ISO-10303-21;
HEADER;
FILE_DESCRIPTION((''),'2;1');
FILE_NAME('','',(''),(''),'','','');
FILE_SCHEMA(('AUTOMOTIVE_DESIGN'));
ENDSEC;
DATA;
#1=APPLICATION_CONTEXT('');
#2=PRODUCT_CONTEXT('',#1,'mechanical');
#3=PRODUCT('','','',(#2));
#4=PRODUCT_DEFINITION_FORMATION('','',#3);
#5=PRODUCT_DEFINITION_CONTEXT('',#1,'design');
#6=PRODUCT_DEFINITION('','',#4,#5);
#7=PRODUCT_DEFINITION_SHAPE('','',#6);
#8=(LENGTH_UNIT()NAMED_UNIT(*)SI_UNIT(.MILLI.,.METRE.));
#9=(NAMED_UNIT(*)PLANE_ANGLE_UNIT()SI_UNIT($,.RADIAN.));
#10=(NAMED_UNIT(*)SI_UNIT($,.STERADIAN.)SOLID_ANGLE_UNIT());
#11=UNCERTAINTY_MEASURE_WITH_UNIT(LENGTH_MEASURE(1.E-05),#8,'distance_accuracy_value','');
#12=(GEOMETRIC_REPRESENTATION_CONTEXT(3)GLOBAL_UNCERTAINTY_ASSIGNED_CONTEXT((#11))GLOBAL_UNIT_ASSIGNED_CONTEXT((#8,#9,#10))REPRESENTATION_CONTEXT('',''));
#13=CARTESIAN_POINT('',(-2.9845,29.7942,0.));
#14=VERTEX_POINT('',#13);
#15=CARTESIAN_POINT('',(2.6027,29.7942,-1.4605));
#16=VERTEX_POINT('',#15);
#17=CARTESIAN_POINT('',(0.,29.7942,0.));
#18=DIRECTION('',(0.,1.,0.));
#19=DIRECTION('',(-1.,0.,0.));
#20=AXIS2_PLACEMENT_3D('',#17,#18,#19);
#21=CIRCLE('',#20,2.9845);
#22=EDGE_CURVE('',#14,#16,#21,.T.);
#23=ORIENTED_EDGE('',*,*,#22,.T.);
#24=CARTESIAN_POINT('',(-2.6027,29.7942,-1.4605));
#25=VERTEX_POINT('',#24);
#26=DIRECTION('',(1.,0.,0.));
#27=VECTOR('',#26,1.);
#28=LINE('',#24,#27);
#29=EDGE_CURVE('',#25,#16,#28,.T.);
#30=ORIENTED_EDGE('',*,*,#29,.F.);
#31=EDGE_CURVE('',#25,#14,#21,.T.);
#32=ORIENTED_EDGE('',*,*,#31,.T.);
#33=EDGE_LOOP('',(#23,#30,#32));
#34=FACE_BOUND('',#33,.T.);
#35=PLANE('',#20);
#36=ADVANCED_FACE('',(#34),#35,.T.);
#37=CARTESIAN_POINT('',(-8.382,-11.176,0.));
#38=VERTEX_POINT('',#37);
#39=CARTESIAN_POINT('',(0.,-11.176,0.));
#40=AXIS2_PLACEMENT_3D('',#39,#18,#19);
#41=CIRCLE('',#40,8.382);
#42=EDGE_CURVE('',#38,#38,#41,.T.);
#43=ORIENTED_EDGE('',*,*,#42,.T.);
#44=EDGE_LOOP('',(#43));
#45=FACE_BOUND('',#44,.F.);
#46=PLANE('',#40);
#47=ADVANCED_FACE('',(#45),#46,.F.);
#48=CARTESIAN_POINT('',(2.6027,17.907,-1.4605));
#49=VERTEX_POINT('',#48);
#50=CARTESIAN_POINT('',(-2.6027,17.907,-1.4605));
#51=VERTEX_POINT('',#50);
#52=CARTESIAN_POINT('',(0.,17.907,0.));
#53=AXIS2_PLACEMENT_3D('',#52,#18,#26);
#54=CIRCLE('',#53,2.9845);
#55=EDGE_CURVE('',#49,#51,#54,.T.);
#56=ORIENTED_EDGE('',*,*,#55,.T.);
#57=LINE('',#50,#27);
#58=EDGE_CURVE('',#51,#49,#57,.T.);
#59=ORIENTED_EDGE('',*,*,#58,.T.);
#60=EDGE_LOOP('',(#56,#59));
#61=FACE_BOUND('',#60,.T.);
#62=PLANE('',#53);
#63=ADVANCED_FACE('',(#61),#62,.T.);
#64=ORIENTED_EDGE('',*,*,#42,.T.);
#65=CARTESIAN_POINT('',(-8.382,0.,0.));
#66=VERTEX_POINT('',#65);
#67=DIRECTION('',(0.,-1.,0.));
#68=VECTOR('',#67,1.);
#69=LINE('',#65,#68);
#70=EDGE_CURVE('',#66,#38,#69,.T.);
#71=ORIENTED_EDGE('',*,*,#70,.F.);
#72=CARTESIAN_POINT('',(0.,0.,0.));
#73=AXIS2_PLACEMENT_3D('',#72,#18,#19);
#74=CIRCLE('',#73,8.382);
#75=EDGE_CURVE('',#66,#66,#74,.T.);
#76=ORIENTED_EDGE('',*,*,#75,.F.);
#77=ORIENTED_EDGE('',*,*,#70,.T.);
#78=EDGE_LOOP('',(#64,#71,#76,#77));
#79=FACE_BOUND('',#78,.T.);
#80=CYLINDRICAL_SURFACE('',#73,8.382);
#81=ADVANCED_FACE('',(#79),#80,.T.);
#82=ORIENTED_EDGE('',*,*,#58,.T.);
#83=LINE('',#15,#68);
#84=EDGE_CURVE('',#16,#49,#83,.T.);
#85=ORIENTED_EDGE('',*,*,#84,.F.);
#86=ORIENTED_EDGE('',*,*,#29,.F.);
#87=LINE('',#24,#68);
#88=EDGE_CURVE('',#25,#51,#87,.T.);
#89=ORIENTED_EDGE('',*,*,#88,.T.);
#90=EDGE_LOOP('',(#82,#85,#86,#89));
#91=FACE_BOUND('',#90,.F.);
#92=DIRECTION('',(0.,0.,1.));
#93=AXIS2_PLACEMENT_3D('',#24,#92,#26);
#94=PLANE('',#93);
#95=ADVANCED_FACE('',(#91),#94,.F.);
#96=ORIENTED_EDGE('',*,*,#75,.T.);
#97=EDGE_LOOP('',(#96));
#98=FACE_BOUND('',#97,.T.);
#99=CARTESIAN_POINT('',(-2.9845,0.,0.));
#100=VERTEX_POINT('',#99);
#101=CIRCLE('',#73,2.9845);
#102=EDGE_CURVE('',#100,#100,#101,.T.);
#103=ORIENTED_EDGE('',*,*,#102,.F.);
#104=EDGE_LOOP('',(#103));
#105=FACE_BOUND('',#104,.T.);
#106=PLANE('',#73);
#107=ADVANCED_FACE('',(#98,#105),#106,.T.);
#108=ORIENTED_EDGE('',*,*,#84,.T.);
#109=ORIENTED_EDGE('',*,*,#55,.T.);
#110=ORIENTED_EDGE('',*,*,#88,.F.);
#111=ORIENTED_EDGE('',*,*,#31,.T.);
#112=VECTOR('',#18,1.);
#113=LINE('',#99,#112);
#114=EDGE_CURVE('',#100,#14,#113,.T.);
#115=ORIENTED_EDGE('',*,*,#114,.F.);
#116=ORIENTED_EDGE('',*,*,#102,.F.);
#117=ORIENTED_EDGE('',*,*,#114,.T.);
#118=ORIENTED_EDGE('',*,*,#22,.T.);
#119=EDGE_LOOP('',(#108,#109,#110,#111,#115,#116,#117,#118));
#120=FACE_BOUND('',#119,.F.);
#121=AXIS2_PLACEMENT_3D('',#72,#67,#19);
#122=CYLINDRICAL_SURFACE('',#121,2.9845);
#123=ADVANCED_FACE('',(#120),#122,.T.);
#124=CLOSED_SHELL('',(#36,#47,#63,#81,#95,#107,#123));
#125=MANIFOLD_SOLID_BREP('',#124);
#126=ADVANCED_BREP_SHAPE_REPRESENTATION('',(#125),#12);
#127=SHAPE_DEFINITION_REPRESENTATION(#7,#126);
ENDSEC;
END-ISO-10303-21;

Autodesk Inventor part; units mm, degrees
ref_plane "YZ Plane" through (0, 0, 0) normal (1, 0, 0) x (0, 1, 0)
ref_plane "XZ Plane" through (0, 0, 0) normal (0, 1, 0) x (-1, 0, 0)
ref_plane "XY Plane" through (0, 0, 0) normal (0, 0, 1) x (1, 0, 0)
sketch "Sketch1" plane through (0, 0, 0) normal (0, 1, 0) x (-1, 0, 0)
  circle A0 centre (0, 0) radius 8.382
  circle A1 centre (0, 0) radius 2.9845
  dimension "d0" = 5.969
  dimension "d1" = 16.764
extrude "Extrusion1" add sketch "Sketch1" against normal blind 11.176 contours A0 | A1
extrude "Extrusion2" add sketch "Sketch1" along normal blind 29.7942 contours A1
sketch "Sketch2" plane through (0, 29.7942, 0) normal (0, 1, 0) x (1, 0, 0)
  circle A0 centre (0, 0) radius 2.9845 projected
  circle A1 centre (0, 0) radius 2.9845 projected
  line L0 (-2.6027, 1.4605) -> (2.6027, 1.4605)
  arc A2 (2.6027, 1.4605) -> (-2.6027, 1.4605) centre (0, 0) ccw
  dimension "d6" = 4.445
extrude "Extrusion3" cut sketch "Sketch2" against normal blind 11.8872 contours L0 A0 picked at (-0.1168, 1.9616)
properties part number "Potentiometer"
